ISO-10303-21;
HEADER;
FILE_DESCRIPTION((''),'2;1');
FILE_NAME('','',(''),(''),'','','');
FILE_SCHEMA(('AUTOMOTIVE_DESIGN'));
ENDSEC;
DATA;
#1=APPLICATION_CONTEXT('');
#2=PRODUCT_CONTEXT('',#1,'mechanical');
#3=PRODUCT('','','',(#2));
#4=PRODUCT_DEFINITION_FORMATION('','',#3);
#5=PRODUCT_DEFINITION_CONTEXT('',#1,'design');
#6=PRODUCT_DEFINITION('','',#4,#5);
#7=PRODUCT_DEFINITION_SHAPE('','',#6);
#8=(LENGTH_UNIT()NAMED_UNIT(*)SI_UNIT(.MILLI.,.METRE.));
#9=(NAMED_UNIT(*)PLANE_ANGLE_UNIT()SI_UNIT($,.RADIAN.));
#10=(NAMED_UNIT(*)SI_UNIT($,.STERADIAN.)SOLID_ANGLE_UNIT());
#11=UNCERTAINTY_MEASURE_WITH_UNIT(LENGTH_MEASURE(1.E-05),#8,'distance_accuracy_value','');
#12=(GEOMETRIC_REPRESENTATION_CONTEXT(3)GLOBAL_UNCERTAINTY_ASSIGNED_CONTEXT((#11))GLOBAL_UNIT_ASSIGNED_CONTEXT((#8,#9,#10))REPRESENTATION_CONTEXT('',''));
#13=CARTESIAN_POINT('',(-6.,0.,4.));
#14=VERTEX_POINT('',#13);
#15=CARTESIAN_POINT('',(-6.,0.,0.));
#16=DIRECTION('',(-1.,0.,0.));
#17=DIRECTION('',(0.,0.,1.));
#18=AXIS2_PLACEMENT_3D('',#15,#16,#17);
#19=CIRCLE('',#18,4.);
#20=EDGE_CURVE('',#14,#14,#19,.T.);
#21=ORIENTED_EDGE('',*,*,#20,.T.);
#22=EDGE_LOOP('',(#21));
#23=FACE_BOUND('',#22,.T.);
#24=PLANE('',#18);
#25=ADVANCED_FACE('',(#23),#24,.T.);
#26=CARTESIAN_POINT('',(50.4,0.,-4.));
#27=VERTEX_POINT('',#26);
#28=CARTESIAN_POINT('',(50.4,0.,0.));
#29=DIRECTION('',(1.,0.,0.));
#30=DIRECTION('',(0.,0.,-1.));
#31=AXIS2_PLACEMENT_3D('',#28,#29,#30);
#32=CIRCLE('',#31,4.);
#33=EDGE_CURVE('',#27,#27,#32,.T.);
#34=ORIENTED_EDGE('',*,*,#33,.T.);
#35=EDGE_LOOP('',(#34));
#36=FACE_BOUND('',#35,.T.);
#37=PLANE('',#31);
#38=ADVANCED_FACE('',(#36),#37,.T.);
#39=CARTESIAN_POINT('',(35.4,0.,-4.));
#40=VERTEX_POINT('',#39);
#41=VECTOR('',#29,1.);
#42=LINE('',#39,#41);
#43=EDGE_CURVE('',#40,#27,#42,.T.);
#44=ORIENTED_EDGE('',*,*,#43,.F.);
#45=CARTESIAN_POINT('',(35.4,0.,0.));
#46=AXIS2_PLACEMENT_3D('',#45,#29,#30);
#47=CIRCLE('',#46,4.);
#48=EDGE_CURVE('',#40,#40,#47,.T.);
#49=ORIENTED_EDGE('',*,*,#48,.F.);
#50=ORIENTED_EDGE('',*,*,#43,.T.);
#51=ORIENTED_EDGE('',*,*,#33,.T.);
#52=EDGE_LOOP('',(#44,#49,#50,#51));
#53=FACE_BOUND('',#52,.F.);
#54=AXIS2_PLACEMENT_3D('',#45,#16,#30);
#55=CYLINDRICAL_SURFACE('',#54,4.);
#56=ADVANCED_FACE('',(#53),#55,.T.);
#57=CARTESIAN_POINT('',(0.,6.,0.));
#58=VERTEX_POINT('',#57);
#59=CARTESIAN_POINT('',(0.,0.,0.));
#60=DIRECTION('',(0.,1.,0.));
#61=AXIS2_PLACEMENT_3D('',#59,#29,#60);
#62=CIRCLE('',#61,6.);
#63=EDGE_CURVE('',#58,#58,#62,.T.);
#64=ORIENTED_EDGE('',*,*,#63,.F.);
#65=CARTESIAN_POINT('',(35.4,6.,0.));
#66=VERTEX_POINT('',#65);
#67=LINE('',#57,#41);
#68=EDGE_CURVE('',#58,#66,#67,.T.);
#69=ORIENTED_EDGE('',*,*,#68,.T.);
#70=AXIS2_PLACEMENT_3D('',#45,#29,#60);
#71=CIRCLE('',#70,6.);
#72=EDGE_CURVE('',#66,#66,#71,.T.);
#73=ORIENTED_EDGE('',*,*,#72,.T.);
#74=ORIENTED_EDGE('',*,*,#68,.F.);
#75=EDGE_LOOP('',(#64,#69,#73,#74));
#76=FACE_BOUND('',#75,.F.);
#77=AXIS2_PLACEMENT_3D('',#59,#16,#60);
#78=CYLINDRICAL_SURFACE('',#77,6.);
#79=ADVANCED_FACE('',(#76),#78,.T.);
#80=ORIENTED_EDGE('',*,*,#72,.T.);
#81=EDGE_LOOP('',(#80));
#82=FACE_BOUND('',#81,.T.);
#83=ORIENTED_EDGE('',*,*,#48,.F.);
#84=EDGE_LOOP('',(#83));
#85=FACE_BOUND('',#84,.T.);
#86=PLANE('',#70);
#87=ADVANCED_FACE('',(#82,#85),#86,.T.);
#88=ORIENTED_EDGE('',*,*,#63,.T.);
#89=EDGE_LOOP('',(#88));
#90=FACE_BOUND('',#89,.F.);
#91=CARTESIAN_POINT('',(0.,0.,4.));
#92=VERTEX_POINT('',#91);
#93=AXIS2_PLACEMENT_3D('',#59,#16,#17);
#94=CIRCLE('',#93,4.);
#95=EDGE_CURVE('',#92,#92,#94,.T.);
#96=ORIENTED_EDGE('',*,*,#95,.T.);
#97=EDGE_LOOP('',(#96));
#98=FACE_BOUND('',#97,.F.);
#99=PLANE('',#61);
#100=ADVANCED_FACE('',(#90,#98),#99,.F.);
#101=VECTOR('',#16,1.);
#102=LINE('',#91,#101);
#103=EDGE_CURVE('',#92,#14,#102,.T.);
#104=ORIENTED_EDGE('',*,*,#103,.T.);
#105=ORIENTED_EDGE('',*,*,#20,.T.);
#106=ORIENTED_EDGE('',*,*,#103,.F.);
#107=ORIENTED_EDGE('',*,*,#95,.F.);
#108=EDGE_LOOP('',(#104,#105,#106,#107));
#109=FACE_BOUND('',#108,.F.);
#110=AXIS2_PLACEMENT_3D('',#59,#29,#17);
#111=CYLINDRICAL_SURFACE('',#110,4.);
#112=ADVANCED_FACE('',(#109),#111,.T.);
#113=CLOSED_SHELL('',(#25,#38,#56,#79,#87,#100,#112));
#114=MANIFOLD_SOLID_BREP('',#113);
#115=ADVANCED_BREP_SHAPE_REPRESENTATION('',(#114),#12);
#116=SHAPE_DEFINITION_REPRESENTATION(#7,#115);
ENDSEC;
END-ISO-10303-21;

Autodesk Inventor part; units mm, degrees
ref_plane "YZ Plane" through (0, 0, 0) normal (1, 0, 0) x (0, 1, 0)
ref_plane "XZ Plane" through (0, 0, 0) normal (0, 1, 0) x (-1, 0, 0)
ref_plane "XY Plane" through (0, 0, 0) normal (0, 0, 1) x (1, 0, 0)
sketch "スケッチ1" plane through (0, 0, 0) normal (1, 0, 0) x (0, 1, 0)
  circle A0 centre (0, 0) radius 6
  dimension "d0" = 12
extrude "押し出し1" add sketch "スケッチ1" along normal blind 35.4
sketch "スケッチ2" plane through (0, 0, 0) normal (-1, 0, 0) x (0, 0, 1)
  circle A0 centre (0, 0) radius 4
  dimension "d3" = 8
extrude "押し出し2" add sketch "スケッチ2" along normal blind 6
sketch "スケッチ3" plane through (35.4, 0, 0) normal (1, 0, 0) x (0, 0, -1)
  circle A0 centre (0, 0) radius 4
  dimension "d6" = 8
extrude "押し出し3" add sketch "スケッチ3" along normal blind 15
properties part number "odom_v1_shaft_4" material "アルミニウム 6061"
